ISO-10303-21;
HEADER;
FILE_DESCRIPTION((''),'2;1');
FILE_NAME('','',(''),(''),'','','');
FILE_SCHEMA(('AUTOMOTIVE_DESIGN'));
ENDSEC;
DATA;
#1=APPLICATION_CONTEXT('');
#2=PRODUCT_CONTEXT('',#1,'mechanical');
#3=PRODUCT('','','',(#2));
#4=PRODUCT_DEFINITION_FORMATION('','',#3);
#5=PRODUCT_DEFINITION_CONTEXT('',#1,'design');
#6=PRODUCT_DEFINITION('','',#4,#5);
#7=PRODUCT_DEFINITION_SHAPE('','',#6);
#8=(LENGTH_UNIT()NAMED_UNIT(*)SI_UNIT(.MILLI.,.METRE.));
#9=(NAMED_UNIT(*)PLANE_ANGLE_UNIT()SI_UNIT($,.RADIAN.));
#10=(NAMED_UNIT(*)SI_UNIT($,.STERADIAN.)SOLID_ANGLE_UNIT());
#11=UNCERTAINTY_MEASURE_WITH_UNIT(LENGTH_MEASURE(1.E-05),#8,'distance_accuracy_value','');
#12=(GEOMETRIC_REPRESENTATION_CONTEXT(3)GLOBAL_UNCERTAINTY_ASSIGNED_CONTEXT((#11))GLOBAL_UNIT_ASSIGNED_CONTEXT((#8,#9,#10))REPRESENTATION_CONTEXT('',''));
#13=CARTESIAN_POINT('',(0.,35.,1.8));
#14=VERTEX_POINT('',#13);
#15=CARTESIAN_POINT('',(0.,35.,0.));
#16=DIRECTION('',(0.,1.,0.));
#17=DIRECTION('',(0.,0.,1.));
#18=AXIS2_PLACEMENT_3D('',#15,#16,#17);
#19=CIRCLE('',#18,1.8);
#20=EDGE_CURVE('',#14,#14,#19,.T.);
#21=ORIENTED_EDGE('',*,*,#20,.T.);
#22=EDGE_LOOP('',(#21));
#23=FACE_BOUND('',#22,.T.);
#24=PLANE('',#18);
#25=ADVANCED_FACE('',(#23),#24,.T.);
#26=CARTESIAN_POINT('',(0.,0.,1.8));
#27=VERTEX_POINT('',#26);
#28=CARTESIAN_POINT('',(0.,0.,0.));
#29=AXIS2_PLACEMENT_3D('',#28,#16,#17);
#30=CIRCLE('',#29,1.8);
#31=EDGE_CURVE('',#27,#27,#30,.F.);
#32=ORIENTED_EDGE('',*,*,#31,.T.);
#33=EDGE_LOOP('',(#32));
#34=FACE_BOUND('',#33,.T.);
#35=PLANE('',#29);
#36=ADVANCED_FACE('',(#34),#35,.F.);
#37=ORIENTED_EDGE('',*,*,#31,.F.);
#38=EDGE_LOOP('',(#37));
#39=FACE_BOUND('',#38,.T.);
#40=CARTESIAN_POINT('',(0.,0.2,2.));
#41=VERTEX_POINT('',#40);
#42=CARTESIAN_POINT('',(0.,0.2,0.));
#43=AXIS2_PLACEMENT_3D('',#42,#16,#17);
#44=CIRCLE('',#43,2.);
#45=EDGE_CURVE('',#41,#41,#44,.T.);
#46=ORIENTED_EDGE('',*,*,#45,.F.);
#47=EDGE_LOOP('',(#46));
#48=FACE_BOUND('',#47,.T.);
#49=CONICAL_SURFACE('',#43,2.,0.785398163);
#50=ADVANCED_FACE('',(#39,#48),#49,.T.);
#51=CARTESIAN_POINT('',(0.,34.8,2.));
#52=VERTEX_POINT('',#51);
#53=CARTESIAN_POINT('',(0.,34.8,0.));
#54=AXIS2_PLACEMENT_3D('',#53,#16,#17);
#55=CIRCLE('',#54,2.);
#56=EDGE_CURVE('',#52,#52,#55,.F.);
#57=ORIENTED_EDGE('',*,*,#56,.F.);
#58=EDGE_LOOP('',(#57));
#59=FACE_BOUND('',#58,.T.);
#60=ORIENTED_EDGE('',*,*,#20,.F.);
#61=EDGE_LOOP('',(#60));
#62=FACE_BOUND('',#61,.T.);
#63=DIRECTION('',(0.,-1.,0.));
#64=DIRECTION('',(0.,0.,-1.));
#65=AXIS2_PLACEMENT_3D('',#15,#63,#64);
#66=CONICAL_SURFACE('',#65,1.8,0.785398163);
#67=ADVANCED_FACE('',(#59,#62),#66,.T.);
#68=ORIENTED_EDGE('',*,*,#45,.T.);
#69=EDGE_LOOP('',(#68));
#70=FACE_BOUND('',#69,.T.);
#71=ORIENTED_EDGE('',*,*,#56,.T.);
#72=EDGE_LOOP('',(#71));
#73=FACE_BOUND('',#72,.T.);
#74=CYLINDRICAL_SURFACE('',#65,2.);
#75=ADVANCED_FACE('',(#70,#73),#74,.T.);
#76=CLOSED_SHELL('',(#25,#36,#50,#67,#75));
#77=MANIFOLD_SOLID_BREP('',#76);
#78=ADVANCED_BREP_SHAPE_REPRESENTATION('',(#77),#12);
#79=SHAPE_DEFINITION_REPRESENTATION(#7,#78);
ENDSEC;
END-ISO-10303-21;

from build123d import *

# Parameters (mm, degrees)
SKETCH_1_R      = 2
EXTRUDE_1_DEPTH = 35
CHAMFER_1_SIZE  = 0.2


with BuildPart() as part:
    # 草图1 → 凸台-拉伸1 (new body)
    with BuildSketch(Plane(origin=(0, 0, 0), x_dir=(1, 0, 0), z_dir=(0, 1, 0))):
        Circle(SKETCH_1_R)
    extrude(amount=EXTRUDE_1_DEPTH)

    # 倒角1
    chamfer_1_edges = [part.edges().sort_by_distance(p)[0] for p in [
        (-2, 0, 0),
        (-2, 35, 0),
    ]]
    chamfer(chamfer_1_edges, length=CHAMFER_1_SIZE)


solid = part.part
